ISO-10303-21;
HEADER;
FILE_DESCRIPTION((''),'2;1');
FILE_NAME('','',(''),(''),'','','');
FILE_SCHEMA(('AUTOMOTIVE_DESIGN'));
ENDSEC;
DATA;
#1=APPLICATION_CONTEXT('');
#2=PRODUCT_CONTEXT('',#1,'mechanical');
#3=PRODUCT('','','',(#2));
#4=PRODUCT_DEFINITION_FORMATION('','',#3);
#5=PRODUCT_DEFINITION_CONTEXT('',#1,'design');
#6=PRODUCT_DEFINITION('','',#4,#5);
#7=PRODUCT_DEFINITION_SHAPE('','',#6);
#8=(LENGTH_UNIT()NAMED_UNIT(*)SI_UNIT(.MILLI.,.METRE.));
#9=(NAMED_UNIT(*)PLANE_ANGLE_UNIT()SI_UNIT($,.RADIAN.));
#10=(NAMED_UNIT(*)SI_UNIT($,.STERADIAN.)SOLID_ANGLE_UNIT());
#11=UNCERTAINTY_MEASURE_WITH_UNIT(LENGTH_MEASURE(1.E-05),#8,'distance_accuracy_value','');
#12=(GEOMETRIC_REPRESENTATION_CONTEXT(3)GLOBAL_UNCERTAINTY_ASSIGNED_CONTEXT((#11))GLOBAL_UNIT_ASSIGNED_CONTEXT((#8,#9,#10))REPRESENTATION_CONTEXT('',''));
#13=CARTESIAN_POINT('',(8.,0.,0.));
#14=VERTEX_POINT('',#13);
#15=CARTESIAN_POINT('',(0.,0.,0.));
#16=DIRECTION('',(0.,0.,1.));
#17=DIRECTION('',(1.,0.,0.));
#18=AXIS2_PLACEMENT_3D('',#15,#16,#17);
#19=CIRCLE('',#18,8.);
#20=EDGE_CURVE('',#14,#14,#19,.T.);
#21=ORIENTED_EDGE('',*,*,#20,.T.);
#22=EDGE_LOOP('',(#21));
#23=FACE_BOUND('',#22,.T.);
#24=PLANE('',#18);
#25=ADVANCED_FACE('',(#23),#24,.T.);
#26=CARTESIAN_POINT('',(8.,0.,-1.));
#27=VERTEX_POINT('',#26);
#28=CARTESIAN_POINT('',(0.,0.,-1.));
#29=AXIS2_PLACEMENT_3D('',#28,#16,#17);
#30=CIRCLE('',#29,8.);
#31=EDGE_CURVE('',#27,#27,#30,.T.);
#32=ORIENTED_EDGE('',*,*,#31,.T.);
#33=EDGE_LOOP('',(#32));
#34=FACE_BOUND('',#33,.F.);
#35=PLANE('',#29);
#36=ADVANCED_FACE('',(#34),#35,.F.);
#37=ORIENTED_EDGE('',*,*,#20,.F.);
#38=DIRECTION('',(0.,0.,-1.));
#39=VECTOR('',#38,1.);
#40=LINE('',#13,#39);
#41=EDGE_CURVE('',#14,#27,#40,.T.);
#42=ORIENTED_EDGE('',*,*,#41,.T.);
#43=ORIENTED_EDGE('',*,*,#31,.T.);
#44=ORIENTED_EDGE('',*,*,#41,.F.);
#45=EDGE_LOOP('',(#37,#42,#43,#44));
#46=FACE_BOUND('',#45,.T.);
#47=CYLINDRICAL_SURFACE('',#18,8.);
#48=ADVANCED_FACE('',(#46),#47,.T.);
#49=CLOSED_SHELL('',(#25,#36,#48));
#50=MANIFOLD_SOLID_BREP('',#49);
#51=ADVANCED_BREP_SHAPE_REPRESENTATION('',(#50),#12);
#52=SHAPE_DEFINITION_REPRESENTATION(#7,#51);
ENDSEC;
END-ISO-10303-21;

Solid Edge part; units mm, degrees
sketch "Sketch1" plane through (0, 0, 0) normal (0, 0, 1) x (1, 0, 0)
  circle A0 centre (0, 0) radius 8
extrude "Protrusion1" add sketch "Sketch1" against normal blind 1
